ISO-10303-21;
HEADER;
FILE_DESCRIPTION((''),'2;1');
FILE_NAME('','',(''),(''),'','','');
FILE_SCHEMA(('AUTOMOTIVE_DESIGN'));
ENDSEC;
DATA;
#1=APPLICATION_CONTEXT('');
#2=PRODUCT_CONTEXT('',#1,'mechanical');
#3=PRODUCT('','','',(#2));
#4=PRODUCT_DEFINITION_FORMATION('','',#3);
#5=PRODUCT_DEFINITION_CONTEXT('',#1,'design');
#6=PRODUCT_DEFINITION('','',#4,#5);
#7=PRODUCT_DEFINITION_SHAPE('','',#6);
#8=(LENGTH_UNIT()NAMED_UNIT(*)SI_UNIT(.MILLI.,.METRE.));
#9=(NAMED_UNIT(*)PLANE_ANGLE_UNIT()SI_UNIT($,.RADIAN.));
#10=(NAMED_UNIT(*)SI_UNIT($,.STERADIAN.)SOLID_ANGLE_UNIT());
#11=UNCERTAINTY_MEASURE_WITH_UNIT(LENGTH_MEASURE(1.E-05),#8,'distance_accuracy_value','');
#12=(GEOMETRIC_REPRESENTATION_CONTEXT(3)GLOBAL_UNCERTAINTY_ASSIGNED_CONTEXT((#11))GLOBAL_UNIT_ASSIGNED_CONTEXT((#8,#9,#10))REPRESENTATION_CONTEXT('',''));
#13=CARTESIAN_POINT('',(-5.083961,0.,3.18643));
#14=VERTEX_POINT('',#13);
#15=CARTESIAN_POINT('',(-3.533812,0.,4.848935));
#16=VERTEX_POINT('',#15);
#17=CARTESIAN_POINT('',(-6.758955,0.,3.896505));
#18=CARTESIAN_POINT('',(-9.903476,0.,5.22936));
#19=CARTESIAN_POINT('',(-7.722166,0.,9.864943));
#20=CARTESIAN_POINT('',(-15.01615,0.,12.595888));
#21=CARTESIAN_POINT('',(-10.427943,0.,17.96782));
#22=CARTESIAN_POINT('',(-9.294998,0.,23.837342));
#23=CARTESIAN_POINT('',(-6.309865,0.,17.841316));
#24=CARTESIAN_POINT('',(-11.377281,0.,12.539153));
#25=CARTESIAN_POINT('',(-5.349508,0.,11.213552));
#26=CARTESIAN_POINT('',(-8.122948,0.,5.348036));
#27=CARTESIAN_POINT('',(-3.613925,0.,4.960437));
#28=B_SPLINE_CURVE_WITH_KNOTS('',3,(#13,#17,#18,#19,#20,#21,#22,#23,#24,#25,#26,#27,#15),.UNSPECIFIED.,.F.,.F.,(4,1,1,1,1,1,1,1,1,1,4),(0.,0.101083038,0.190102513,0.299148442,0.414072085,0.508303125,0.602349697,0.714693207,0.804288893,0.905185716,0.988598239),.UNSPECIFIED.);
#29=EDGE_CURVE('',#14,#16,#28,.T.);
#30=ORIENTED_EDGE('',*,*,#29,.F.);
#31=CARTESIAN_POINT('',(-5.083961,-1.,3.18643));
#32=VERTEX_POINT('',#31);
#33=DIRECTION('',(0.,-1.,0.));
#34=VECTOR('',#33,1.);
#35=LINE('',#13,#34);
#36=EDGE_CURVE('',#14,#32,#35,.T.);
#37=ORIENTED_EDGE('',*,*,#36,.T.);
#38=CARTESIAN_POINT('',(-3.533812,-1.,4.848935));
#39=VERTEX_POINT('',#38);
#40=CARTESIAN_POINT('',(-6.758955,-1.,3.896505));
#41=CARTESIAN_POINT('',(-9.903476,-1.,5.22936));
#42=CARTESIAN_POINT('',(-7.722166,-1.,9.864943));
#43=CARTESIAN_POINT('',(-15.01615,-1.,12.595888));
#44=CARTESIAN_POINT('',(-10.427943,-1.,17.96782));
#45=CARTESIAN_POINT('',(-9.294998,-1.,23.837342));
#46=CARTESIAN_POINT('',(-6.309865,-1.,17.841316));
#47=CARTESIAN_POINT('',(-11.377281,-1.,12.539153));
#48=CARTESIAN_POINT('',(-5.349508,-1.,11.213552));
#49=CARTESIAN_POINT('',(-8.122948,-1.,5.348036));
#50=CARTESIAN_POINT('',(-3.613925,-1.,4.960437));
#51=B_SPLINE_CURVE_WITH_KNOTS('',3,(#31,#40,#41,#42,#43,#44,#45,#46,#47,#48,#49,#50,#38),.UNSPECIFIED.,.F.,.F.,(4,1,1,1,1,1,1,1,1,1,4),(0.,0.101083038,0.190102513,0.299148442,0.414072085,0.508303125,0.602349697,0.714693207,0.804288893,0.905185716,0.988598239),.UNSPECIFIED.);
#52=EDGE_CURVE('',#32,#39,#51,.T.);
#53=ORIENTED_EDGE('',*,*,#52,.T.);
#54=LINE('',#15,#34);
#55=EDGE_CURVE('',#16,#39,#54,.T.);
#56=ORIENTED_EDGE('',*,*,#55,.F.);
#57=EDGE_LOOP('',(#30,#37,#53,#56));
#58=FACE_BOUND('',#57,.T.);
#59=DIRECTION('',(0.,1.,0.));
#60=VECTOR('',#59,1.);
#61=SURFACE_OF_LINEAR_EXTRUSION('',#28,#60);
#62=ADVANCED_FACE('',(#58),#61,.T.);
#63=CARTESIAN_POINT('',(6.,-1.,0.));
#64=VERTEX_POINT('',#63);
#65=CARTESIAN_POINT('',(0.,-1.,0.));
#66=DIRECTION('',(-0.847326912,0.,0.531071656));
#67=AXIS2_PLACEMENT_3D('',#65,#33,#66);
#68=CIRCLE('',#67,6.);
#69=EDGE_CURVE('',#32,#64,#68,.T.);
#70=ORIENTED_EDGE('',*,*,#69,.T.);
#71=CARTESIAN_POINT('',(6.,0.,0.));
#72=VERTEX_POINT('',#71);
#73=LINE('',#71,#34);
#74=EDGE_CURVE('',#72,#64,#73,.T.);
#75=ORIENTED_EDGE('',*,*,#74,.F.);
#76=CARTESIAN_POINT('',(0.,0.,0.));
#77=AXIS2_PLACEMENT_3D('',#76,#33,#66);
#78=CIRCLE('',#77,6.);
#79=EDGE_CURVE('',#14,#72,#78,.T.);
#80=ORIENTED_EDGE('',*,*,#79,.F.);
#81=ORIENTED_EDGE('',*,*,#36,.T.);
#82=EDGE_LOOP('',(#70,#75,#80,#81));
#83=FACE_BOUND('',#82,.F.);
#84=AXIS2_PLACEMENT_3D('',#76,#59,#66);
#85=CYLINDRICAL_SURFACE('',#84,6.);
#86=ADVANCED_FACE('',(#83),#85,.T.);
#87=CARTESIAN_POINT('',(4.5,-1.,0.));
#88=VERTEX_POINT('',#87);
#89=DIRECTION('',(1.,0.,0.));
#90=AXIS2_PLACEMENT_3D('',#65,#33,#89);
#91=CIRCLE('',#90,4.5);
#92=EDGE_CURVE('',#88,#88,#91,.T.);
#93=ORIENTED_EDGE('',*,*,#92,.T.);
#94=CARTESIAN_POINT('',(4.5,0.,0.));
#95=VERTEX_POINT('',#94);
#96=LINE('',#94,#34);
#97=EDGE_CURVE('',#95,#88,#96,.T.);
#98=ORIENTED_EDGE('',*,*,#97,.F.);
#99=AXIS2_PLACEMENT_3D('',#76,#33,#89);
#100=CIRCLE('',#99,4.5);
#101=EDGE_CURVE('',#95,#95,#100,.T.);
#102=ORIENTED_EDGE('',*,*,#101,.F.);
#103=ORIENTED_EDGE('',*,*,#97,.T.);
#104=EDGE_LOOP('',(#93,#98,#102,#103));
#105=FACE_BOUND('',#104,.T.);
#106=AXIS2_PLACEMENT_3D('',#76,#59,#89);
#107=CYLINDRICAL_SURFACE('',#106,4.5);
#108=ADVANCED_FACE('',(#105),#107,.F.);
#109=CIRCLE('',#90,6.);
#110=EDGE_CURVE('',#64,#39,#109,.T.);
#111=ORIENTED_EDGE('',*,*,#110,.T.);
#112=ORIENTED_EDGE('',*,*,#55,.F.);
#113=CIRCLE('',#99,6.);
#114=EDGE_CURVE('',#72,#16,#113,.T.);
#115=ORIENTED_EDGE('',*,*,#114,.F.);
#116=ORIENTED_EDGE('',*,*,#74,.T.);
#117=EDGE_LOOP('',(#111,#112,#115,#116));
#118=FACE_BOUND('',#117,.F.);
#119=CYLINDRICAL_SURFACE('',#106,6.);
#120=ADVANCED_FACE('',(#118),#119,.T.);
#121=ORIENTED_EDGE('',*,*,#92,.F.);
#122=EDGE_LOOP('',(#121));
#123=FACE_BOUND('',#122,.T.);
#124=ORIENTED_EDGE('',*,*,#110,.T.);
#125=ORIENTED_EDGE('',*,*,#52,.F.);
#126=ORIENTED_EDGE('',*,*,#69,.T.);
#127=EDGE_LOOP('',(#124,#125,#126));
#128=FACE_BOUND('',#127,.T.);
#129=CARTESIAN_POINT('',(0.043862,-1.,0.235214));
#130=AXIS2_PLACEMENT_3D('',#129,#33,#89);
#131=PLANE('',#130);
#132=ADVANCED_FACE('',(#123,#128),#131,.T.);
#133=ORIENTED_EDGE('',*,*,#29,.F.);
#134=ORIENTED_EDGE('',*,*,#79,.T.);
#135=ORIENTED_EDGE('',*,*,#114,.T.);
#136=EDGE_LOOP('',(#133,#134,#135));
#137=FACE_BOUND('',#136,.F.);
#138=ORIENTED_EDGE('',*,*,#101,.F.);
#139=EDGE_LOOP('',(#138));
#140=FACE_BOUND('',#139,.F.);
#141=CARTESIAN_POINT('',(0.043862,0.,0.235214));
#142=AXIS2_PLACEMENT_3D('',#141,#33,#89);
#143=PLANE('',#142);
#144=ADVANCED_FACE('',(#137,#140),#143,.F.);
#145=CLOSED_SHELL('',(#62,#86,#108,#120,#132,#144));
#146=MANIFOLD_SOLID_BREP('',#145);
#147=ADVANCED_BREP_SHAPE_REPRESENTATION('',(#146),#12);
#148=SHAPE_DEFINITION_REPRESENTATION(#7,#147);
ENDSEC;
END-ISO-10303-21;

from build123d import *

# Parameters (mm, degrees)
F0_R     = 4.5
F1_DEPTH = 1


with BuildPart() as f1:
    # F0 (on Front) → F1 (new body)
    with BuildSketch(Plane.XZ):
        with BuildLine():
            add(Edge.make_bspline(
                [(-3.5338121051, 4.8489351414), (-3.5228614313, 4.8336937672), (-3.5485422253, 4.8196465646), (-3.5803694153, 4.8146604086)],
                knots=[0.988598239, 0.988598239, 0.988598239, 0.988598239, 1, 1, 1, 1], degree=3))
            ThreePointArc((-3.5803694153, 4.8146604086), (-4.4079973979, 4.0705723112), (-5.0839614742, 3.1864299347))
            ThreePointArc((-5.0839614742, 3.1864299347), (-1.657744123, -5.7664446952), (6, 0))
            ThreePointArc((6, 0), (2.7200300889, 5.348031069), (-3.5338121051, 4.8489351414))
        make_face()
        Circle(F0_R, mode=Mode.SUBTRACT)
        with BuildLine():
            ThreePointArc((-5.0839614742, 3.1864299347), (-4.4079973979, 4.0705723112), (-3.5803694153, 4.8146604086))
            ThreePointArc((-3.5803694153, 4.8146604086), (-3.5571320422, 4.8318538507), (-3.5338121051, 4.8489351414))
            add(Edge.make_bspline(
                [(-5.0839614742, 3.1864299347), (-6.7589549684, 3.8965052265), (-9.9034764031, 5.2293604135), (-7.7221657623, 9.8649429281), (-15.01615026, 12.5958882978), (-10.4279432311, 17.967819907), (-9.294998129, 23.8373424611), (-6.3098648855, 17.8413157235), (-11.3772814816, 12.5391534636), (-5.3495078856, 11.2135521019), (-8.1229483161, 5.3480357247), (-3.6139245836, 4.9604373455), (-3.5338121051, 4.8489351414)],
                knots=[0, 0, 0, 0, 0.1010830381, 0.1901025127, 0.2991484423, 0.4140720852, 0.5083031246, 0.6023496966, 0.7146932068, 0.8042888932, 0.9051857159, 0.988598239, 0.988598239, 0.988598239, 0.988598239], degree=3))
        make_face()
        with BuildLine():
            ThreePointArc((-3.5338121051, 4.8489351414), (-3.5571320422, 4.8318538507), (-3.5803694153, 4.8146604086))
            add(Edge.make_bspline(
                [(-3.5338121051, 4.8489351414), (-3.5228614313, 4.8336937672), (-3.5485422253, 4.8196465646), (-3.5803694153, 4.8146604086)],
                knots=[0.988598239, 0.988598239, 0.988598239, 0.988598239, 1, 1, 1, 1], degree=3))
        make_face()
    extrude(amount=F1_DEPTH)


solid = f1.part
